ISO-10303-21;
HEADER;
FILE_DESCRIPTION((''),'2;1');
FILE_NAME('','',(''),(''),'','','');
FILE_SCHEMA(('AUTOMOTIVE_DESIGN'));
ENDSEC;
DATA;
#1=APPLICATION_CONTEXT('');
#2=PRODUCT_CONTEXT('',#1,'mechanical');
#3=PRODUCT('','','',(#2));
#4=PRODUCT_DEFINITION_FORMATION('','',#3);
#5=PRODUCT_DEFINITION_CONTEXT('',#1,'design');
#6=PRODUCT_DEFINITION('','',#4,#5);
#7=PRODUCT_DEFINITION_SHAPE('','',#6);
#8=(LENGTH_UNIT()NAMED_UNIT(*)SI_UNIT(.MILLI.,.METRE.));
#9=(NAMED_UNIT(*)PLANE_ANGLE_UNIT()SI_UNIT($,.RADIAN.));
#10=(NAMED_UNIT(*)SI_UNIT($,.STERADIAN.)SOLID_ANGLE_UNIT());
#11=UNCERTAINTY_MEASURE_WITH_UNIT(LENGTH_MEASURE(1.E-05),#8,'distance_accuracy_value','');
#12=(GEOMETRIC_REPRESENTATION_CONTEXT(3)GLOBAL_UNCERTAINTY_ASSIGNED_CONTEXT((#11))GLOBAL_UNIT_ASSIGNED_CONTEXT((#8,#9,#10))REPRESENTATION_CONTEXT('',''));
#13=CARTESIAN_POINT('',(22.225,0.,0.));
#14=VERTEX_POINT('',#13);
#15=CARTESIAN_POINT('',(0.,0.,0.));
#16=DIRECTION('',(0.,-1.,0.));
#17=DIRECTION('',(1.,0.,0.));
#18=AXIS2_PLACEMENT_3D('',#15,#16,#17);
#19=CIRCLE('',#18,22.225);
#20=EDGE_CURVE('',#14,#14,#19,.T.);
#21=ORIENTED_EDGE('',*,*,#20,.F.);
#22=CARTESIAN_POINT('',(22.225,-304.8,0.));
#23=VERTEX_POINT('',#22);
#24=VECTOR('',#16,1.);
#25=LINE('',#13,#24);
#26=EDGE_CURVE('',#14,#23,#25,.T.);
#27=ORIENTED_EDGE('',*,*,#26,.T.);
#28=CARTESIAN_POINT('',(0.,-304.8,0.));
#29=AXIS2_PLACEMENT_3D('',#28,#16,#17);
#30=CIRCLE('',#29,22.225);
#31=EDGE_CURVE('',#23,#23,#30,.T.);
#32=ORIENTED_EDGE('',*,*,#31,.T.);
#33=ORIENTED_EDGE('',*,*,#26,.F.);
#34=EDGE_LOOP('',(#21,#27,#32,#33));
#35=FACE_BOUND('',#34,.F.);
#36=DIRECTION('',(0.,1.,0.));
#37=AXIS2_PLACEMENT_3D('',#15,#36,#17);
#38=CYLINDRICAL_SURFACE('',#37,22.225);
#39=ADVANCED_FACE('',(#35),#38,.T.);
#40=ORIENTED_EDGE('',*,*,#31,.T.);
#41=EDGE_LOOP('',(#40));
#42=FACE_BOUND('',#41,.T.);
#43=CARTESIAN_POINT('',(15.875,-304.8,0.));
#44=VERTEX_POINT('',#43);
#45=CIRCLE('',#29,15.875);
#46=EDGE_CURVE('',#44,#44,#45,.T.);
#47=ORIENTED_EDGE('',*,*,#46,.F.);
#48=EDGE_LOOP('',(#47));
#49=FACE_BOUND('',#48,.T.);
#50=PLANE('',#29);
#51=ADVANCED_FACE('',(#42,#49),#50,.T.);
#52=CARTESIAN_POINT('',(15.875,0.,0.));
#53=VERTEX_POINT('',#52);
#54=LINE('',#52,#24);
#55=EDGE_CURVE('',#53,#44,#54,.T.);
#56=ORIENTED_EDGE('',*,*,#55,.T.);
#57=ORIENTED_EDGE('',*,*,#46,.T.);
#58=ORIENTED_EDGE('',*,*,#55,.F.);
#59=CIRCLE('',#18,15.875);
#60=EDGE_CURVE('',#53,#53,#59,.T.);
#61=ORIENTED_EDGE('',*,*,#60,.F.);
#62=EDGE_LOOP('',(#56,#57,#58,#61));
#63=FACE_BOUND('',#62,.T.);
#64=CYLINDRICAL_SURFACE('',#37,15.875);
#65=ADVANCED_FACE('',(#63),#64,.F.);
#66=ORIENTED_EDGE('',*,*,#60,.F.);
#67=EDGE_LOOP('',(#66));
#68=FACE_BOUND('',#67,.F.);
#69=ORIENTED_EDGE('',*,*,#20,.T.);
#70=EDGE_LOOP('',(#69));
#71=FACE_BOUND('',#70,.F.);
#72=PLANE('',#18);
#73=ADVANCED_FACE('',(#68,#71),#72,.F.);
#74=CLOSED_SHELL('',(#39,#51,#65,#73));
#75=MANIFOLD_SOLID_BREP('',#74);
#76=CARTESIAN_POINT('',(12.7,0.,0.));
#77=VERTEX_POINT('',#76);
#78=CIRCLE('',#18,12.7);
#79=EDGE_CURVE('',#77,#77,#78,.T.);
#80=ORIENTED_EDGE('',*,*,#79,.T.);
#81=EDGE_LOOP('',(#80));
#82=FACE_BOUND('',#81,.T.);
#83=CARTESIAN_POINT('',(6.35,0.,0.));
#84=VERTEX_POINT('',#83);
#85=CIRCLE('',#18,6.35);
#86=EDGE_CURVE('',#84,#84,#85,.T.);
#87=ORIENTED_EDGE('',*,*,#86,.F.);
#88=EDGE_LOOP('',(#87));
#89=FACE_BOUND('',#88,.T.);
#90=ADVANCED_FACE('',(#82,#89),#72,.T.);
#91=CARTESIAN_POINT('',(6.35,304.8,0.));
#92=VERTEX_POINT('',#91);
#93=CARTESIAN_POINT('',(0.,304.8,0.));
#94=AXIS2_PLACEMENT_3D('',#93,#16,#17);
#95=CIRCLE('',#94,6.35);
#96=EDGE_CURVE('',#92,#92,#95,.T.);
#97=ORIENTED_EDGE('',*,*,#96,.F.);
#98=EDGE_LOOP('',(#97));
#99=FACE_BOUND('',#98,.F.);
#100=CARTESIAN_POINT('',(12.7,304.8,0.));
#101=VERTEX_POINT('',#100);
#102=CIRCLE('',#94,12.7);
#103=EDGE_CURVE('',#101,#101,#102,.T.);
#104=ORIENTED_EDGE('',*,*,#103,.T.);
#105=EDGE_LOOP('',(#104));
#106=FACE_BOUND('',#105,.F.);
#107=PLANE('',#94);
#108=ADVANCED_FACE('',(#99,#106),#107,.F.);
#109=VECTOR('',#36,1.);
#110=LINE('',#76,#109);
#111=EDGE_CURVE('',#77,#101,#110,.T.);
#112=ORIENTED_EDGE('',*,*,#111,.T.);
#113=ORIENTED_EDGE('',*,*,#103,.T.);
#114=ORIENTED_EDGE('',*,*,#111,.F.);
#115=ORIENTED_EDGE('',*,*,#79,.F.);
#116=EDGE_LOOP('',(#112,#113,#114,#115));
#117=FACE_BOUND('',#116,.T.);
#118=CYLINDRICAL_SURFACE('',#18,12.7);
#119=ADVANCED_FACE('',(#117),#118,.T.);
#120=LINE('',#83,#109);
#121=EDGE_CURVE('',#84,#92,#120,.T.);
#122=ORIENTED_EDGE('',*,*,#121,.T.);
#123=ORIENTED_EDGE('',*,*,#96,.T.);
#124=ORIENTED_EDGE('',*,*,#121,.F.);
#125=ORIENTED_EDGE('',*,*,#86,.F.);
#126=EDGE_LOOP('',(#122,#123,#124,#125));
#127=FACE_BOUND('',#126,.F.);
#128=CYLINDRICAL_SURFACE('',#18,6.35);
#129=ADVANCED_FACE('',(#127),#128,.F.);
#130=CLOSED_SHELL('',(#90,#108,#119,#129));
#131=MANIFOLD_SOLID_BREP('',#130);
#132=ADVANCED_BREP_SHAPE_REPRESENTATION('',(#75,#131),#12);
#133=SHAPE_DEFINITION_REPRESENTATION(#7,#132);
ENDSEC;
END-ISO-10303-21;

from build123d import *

# Parameters (mm, degrees)
F0_R     = 22.225
F0_R_2   = 15.875
F1_DEPTH = 304.8
F0_R_3   = 12.7
F0_R_4   = 6.35
F2_DEPTH = 304.8


with BuildPart() as f1:
    # F0 (on Front) → F1 (new body)
    with BuildSketch(Plane.XZ):
        Circle(F0_R)
        Circle(F0_R_2, mode=Mode.SUBTRACT)
    extrude(amount=F1_DEPTH)


with BuildPart() as f2:
    # F0 (on Front) → F2 (new body)
    with BuildSketch(Plane.XZ):
        Circle(F0_R_3)
        Circle(F0_R_4, mode=Mode.SUBTRACT)
    extrude(amount=-F2_DEPTH)


solid = Compound([f1.part, f2.part])
